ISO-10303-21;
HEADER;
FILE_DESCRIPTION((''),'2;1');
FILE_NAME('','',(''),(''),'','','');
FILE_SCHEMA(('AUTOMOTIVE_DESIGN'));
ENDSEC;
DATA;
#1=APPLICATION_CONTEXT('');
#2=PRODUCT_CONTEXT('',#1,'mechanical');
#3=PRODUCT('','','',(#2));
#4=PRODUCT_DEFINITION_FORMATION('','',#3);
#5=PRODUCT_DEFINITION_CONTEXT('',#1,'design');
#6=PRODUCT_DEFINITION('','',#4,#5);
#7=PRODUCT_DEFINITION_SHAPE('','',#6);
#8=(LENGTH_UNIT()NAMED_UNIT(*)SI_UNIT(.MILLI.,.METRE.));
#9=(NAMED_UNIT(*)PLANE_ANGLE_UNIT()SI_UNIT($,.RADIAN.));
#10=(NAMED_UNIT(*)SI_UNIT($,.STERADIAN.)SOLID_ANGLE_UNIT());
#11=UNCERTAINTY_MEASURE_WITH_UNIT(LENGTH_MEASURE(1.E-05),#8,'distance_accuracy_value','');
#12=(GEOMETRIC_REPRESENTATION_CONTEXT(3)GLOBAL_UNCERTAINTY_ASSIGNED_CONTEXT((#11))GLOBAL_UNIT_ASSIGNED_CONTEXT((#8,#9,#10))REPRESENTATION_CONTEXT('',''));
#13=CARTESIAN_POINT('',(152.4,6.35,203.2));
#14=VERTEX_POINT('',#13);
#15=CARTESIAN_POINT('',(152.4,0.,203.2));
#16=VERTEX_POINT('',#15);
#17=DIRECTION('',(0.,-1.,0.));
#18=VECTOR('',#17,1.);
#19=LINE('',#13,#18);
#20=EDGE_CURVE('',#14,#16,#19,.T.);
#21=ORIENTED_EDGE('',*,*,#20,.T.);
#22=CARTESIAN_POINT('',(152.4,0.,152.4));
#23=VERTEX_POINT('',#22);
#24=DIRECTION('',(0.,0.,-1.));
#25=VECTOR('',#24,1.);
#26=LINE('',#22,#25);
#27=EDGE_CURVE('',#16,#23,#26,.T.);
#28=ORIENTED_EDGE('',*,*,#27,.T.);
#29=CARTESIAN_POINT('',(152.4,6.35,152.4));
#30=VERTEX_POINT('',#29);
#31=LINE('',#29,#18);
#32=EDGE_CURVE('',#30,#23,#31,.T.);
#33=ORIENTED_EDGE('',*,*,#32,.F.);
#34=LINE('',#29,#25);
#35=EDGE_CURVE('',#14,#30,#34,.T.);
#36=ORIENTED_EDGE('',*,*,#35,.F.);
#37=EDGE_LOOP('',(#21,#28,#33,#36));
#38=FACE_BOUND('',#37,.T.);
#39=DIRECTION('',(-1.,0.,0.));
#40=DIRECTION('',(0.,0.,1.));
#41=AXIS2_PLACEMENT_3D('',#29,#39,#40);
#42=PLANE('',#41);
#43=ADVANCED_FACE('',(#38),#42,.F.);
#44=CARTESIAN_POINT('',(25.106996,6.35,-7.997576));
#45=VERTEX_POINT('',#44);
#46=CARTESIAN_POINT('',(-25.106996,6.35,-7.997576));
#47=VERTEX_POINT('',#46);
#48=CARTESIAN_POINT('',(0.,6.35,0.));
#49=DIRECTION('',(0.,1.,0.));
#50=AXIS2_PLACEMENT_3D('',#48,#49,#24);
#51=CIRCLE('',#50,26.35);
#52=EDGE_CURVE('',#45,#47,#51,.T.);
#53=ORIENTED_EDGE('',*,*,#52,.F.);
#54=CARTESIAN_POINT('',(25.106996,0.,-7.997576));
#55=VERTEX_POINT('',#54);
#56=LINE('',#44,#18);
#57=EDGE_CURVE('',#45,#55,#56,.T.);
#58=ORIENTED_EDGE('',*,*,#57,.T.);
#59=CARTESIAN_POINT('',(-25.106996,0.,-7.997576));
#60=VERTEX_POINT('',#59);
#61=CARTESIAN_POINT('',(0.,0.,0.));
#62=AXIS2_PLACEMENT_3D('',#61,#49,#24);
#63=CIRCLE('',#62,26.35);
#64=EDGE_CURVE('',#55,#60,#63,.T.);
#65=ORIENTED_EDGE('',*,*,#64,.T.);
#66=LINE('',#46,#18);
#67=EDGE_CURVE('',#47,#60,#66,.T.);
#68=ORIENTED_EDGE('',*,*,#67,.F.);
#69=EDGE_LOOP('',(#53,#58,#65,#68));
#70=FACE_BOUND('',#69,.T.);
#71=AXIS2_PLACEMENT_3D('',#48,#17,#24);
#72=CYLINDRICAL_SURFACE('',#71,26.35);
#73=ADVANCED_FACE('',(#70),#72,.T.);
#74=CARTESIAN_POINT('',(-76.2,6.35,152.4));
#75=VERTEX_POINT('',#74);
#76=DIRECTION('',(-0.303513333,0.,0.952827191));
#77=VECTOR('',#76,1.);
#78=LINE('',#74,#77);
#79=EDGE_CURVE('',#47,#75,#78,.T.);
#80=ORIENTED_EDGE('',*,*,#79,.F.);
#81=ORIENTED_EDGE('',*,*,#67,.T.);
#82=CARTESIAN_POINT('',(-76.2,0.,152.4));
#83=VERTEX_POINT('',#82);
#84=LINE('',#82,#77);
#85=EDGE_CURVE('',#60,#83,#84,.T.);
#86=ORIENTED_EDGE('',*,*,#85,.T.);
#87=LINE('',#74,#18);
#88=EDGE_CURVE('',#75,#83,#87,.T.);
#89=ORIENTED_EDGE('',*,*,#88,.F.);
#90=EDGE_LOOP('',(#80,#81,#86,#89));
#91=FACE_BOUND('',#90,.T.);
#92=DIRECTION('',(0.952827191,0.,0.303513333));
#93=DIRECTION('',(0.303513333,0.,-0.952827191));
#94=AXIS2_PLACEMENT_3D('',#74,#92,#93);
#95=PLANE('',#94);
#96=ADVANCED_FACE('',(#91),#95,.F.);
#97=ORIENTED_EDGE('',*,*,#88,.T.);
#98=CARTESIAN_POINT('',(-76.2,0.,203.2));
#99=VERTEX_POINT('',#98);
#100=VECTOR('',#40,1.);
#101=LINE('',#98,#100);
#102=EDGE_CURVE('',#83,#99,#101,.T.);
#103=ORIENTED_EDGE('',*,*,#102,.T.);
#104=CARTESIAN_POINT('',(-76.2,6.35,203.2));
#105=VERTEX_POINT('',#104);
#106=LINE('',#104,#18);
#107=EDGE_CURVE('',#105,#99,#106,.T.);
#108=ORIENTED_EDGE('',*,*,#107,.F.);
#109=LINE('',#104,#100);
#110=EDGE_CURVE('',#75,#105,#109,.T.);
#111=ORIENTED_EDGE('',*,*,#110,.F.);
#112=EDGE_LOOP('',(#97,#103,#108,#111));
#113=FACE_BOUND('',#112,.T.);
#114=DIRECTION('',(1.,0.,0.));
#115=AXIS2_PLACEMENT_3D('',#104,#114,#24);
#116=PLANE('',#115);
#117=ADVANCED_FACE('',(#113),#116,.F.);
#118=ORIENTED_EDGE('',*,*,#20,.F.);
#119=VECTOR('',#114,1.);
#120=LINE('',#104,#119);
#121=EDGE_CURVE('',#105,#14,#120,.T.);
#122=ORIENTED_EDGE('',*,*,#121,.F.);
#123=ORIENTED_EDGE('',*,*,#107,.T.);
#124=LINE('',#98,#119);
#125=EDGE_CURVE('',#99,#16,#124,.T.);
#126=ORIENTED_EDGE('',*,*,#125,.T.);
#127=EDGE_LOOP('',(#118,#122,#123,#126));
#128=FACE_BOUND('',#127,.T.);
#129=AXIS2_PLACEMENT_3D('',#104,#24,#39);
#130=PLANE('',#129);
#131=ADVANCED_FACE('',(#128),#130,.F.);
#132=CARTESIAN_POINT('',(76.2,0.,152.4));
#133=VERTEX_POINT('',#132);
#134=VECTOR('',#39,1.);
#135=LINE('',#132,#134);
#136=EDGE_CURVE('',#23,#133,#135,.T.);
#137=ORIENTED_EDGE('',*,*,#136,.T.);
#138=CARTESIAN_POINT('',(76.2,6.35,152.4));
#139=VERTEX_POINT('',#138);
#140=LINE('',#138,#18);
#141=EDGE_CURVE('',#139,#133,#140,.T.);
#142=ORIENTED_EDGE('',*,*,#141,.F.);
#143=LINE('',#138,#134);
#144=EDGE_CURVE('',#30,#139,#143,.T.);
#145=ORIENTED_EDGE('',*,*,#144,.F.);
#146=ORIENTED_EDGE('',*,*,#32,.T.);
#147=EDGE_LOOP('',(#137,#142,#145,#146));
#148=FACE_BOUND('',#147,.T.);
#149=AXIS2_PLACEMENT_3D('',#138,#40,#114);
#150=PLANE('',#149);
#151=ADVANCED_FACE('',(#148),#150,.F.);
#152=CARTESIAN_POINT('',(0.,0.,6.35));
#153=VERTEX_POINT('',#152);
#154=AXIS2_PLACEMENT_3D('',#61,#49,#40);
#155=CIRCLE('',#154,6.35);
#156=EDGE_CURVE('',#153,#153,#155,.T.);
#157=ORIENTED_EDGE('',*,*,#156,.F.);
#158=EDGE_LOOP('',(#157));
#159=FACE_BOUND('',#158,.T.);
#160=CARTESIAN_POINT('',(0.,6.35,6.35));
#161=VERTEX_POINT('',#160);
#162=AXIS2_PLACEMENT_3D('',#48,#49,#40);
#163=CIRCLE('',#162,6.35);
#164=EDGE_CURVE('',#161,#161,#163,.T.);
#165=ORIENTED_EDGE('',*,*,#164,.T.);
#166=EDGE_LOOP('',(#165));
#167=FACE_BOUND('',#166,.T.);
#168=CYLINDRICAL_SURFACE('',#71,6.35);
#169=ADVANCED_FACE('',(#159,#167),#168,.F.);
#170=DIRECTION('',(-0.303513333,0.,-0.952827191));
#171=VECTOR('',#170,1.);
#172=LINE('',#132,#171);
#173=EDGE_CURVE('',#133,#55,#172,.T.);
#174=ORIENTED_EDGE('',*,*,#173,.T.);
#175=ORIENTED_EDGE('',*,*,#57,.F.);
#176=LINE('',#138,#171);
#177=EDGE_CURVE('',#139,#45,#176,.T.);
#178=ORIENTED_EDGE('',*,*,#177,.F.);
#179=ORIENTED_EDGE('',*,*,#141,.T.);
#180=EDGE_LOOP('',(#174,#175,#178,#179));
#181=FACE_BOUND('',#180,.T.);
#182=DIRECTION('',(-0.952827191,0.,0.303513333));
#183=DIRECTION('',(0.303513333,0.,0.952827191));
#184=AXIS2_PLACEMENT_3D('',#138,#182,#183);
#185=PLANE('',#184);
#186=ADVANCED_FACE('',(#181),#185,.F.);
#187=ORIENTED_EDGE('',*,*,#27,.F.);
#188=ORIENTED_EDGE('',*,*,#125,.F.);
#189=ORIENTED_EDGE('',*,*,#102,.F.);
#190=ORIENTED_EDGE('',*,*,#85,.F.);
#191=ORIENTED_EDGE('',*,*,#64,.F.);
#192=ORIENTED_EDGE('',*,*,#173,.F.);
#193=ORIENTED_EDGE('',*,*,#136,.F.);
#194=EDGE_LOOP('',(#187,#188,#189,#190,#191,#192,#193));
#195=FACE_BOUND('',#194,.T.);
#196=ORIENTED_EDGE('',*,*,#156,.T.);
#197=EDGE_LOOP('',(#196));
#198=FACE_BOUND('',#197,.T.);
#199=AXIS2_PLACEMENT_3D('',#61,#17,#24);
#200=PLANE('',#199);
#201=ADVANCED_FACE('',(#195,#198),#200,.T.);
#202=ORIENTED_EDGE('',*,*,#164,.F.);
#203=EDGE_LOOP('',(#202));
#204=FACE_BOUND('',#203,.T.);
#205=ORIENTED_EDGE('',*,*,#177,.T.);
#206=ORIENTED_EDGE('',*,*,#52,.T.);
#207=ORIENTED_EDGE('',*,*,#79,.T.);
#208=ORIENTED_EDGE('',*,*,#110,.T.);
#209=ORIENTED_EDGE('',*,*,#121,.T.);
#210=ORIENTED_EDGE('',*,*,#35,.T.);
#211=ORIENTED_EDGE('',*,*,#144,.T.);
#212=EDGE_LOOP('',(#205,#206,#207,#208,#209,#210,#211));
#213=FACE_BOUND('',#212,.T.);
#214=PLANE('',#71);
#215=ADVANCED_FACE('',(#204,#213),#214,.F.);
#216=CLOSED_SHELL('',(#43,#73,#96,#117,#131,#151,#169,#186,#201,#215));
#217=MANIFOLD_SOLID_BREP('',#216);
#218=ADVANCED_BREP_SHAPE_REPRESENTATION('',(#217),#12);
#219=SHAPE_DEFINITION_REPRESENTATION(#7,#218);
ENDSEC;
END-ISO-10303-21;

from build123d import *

# Parameters (mm, degrees)
SKETCH1_R           = 6.35
BOSS_EXTRUDE1_DEPTH = 6.35


with BuildPart() as part:
    # Sketch1 → Boss-Extrude1 (new body)
    with BuildSketch(Plane(origin=(0, 0, 0), x_dir=(1, 0, 0), z_dir=(0, 1, 0))):
        with BuildLine():
            Line((76.2, -152.4), (25.106996492, 7.99757633))
            ThreePointArc((25.106996492, 7.99757633), (0, 26.35), (-25.106996492, 7.99757633))
            Line((-25.106996492, 7.99757633), (-76.2, -152.4))
            Line((-76.2, -152.4), (-76.2, -203.2))
            Line((-76.2, -203.2), (152.4, -203.2))
            Line((152.4, -203.2), (152.4, -152.4))
            Line((152.4, -152.4), (76.2, -152.4))
        make_face()
        Circle(SKETCH1_R, mode=Mode.SUBTRACT)
    extrude(amount=BOSS_EXTRUDE1_DEPTH)


solid = part.part
